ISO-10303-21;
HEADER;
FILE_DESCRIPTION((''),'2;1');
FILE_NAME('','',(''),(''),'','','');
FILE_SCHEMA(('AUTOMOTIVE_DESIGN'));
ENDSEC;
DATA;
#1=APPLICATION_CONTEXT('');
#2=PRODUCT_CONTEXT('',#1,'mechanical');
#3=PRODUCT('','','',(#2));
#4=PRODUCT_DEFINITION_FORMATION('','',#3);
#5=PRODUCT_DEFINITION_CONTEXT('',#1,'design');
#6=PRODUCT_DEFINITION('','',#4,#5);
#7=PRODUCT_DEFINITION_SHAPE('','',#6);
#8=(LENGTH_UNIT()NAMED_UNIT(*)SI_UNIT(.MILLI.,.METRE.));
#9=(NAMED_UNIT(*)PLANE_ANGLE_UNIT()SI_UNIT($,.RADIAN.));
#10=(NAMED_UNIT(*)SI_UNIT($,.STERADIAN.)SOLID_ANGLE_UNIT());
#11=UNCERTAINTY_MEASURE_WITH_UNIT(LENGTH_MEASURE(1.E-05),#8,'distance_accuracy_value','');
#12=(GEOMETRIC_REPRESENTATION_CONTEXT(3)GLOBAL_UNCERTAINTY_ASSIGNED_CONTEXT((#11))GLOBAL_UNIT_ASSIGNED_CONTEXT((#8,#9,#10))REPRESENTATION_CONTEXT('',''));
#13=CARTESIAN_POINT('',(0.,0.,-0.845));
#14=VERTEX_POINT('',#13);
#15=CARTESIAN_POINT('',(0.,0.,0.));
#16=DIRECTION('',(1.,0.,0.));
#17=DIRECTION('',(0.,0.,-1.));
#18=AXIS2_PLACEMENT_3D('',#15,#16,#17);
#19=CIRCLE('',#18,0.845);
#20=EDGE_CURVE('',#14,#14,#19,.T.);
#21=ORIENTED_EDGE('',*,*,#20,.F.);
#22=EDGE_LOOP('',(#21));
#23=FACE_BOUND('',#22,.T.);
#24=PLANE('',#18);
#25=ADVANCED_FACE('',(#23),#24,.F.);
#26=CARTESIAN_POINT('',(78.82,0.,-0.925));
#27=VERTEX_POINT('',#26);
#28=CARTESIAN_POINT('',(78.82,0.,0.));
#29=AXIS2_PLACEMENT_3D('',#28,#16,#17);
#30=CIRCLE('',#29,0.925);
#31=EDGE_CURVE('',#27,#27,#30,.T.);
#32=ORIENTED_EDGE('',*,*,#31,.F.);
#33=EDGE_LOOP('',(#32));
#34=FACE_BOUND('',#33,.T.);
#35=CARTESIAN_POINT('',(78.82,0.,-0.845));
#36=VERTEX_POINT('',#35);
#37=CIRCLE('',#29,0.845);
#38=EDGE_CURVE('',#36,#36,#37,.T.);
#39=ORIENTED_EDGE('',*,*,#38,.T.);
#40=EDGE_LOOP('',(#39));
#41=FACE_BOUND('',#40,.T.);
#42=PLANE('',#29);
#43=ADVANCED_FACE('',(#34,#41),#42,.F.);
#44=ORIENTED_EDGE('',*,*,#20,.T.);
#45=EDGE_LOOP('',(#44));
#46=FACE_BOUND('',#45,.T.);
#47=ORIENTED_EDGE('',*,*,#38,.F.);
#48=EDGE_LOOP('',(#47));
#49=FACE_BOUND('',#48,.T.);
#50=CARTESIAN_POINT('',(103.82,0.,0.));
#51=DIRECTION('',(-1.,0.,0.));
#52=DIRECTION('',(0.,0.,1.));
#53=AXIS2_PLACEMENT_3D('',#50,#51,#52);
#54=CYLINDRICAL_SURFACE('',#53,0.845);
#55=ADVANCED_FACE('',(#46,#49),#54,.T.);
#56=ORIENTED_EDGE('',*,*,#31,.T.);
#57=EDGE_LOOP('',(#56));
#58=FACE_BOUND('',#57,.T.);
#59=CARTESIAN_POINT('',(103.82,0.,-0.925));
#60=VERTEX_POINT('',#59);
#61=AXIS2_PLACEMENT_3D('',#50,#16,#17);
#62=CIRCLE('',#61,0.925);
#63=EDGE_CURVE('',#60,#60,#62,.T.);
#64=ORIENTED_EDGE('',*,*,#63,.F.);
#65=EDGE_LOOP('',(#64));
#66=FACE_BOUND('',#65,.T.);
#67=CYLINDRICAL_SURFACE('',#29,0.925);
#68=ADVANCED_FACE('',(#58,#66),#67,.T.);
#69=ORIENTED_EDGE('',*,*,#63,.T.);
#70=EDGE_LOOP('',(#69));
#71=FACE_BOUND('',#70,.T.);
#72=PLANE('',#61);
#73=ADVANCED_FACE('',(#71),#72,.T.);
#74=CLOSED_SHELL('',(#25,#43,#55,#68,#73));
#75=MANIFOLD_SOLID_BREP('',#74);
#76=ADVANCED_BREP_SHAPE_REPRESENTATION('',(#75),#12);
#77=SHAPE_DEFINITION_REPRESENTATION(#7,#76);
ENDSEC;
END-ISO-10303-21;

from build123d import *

# Parameters (mm, degrees)
SCHIZZO1_R                   = 0.845
ESTRUSIONE_ESTRUSIONE1_DEPTH = 103.82
SCHIZZO2_R                   = 0.925
ESTRUSIONE_ESTRUSIONE2_DEPTH = 25


with BuildPart() as part:
    # Schizzo1 → Estrusione-Estrusione1 (new body)
    with BuildSketch(Plane(origin=(0, 0, 0), x_dir=(0, 0, -1), z_dir=(1, 0, 0))):
        Circle(SCHIZZO1_R)
    extrude(amount=ESTRUSIONE_ESTRUSIONE1_DEPTH)

    # Schizzo2 → Estrusione-Estrusione2 (add)
    with BuildSketch(Plane(origin=(103.82, 0, 0), x_dir=(0, 0, -1), z_dir=(1, 0, 0))):
        Circle(SCHIZZO2_R)
    extrude(amount=-ESTRUSIONE_ESTRUSIONE2_DEPTH)


solid = part.part
